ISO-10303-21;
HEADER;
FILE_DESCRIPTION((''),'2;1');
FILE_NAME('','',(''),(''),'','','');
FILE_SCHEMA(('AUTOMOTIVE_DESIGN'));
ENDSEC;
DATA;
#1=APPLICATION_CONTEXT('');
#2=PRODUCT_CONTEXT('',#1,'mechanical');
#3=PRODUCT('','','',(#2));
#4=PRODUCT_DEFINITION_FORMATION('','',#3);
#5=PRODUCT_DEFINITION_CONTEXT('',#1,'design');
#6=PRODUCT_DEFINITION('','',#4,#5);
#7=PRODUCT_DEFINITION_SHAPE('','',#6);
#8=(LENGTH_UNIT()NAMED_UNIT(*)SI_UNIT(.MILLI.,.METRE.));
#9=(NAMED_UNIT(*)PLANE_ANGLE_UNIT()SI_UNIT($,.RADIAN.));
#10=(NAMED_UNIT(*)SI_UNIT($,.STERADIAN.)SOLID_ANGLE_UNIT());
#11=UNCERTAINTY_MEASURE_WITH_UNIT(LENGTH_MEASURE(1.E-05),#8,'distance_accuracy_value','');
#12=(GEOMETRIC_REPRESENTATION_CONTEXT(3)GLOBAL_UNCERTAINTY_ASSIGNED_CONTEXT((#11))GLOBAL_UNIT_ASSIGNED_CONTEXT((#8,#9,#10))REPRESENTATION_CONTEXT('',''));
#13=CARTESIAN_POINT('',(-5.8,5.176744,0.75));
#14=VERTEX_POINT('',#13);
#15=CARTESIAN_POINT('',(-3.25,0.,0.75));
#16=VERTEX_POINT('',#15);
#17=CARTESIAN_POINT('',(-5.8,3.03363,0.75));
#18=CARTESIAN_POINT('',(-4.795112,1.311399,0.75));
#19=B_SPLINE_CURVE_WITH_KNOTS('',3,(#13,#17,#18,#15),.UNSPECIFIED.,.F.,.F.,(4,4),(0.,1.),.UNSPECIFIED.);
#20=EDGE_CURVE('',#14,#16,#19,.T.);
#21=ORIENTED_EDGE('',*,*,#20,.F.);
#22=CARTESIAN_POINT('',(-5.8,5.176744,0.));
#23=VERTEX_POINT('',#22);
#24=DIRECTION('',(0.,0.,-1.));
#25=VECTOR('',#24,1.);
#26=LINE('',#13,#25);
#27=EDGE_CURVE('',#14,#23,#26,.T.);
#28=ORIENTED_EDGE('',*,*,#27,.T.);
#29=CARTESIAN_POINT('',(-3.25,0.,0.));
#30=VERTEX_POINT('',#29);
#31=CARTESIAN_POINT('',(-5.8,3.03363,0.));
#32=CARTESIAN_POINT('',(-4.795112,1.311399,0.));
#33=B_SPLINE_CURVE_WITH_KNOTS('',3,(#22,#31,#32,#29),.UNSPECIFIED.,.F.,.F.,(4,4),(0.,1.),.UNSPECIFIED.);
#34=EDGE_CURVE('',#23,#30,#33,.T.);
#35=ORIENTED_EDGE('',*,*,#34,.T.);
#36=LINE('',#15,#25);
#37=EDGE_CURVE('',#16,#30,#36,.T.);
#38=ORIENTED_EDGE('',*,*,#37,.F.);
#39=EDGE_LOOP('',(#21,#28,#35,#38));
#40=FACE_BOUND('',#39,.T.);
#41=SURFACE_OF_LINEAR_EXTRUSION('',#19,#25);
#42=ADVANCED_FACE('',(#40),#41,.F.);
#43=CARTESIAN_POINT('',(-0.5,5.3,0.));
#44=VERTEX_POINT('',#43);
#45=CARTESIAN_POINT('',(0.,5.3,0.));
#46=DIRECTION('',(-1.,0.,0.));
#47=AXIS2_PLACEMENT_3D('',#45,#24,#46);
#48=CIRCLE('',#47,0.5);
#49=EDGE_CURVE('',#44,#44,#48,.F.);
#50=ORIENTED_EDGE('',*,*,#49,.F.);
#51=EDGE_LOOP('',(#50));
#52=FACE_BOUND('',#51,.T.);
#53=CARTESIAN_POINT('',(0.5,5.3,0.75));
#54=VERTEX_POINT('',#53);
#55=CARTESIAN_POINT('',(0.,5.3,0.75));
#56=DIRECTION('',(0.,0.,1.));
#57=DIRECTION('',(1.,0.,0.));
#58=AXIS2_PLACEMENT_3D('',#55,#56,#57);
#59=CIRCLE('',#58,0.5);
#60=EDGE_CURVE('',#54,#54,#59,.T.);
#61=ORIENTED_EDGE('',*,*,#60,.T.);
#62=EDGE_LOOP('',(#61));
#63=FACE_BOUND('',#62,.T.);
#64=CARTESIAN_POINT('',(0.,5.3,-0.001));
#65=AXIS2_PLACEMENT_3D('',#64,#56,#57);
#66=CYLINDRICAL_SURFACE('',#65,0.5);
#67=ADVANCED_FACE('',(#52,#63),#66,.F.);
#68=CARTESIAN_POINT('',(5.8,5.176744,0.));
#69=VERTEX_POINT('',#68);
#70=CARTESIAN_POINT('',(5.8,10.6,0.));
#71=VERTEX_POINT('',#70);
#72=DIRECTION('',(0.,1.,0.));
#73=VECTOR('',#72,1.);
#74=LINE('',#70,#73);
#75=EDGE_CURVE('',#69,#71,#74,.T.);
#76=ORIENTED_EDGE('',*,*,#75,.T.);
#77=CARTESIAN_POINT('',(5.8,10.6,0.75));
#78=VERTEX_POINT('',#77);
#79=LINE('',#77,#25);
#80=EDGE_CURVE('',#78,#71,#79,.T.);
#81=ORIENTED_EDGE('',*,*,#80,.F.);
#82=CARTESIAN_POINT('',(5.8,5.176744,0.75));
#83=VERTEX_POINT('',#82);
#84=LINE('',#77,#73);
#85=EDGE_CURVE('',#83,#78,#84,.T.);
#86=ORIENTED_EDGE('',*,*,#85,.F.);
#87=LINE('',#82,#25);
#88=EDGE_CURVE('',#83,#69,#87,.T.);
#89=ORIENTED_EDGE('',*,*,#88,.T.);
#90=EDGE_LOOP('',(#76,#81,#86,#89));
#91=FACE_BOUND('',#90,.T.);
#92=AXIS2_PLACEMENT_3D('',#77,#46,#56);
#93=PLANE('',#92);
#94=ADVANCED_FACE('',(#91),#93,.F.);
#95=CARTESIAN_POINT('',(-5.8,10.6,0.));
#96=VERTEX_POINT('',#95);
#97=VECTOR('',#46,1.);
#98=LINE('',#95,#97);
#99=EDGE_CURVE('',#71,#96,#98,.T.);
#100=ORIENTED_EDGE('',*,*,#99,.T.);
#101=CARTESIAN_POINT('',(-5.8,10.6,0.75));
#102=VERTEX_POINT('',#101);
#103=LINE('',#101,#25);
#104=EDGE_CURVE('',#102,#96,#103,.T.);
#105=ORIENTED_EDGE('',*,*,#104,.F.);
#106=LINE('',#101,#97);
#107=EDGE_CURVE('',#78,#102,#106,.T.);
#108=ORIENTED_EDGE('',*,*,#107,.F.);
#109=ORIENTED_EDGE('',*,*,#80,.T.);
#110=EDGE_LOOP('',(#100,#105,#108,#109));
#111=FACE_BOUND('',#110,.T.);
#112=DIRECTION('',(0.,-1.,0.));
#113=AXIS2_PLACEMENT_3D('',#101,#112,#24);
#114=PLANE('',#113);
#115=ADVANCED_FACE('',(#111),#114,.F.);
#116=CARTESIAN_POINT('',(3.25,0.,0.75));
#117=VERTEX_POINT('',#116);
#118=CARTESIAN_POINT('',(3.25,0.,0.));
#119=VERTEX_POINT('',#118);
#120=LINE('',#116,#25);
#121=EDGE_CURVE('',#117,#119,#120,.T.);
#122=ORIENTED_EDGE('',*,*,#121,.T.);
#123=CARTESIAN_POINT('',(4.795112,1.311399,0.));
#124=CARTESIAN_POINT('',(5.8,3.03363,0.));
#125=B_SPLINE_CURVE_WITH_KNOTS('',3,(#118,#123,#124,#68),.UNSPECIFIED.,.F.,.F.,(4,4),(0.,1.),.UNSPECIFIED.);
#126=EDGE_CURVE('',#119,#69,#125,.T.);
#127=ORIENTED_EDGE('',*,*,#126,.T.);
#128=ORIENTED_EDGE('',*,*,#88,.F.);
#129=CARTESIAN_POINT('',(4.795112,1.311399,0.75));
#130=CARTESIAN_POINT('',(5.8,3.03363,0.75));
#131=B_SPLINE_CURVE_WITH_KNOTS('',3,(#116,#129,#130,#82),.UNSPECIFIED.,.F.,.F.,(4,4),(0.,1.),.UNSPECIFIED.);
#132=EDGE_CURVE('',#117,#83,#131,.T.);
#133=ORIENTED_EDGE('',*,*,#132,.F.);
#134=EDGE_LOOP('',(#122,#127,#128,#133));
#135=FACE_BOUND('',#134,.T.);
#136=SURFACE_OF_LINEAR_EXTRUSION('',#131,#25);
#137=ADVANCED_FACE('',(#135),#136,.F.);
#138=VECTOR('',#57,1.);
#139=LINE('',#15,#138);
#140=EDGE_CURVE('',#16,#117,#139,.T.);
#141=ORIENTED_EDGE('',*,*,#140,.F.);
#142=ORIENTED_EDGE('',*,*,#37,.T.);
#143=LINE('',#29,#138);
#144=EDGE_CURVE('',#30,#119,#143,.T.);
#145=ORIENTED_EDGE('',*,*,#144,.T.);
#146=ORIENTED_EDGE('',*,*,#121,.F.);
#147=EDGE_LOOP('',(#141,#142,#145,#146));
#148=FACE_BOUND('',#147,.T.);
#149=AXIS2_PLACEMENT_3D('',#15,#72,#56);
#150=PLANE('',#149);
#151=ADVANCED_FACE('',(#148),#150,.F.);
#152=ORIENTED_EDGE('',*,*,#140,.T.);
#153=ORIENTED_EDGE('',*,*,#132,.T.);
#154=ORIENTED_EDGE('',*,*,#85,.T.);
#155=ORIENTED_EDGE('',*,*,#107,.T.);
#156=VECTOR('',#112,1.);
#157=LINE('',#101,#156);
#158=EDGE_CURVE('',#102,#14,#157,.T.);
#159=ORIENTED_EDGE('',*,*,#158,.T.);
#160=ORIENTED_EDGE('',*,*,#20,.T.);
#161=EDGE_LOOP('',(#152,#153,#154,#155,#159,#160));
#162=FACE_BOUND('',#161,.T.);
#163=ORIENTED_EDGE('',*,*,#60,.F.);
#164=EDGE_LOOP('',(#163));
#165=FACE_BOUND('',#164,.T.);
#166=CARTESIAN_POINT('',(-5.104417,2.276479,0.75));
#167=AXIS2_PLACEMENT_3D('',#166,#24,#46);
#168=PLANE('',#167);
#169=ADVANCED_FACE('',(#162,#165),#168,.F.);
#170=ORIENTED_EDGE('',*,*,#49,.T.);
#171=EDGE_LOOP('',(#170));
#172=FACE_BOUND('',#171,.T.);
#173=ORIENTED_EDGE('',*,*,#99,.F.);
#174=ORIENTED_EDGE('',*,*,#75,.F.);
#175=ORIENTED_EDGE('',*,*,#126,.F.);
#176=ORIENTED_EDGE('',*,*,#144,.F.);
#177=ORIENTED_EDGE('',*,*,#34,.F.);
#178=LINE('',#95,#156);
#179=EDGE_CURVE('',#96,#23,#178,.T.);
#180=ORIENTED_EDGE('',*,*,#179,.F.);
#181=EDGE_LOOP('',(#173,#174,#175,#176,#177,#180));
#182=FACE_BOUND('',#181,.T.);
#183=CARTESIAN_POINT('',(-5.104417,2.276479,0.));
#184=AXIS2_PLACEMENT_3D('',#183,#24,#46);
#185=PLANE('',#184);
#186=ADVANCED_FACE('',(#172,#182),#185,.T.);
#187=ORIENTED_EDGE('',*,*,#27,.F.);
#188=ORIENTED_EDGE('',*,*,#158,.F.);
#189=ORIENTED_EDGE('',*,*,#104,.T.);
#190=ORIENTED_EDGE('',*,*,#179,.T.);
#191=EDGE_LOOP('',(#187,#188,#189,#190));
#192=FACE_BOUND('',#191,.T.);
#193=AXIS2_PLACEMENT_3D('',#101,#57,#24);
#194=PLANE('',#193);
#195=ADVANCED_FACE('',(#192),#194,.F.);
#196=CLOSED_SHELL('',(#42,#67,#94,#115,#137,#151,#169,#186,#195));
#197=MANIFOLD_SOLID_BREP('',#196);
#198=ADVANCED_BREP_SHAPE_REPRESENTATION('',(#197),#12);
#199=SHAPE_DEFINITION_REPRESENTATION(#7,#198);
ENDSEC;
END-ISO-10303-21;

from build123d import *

# Parameters (mm, degrees)
BOSS_EXTRUDE1_DEPTH = 0.75
CUT_EXTRUDE1_REACH  = 14.106
SKETCH2_R           = 0.5


with BuildPart() as part:
    # Sketch1 → Boss-Extrude1 (new body)
    with BuildSketch(Plane.XY):
        with BuildLine():
            Line((-3.25, 0), (3.25, 0))
            add(Edge.make_bspline(
                [(5.8, 5.176744099), (5.8, 3.033630296), (4.795112478, 1.311398784), (3.25, 0)],
                knots=[0, 0, 0, 0, 1, 1, 1, 1], degree=3))
            Line((5.8, 5.176744099), (5.8, 10.6))
            Line((5.8, 10.6), (-5.8, 10.6))
            Line((-5.8, 10.6), (-5.8, 5.176744099))
            add(Edge.make_bspline(
                [(-5.8, 5.176744099), (-5.8, 3.033630296), (-4.795112478, 1.311398784), (-3.25, 0)],
                knots=[0, 0, 0, 0, 1, 1, 1, 1], degree=3))
        make_face()
    extrude(amount=BOSS_EXTRUDE1_DEPTH)

    # Sketch2 → Cut-Extrude1 (cut, up to next)
    with BuildSketch(Plane.XY.offset(0.75), mode=Mode.PRIVATE) as cut_extrude1_sk1:
        with Locations((0, 5.3)):
            Circle(SKETCH2_R)
    cut_extrude1_tool1 = extrude(cut_extrude1_sk1.sketch, amount=-CUT_EXTRUDE1_REACH, mode=Mode.PRIVATE) & part.part
    add(cut_extrude1_tool1.solids().sort_by_distance((0, 5.3, 0.75))[0], mode=Mode.SUBTRACT)


solid = part.part
